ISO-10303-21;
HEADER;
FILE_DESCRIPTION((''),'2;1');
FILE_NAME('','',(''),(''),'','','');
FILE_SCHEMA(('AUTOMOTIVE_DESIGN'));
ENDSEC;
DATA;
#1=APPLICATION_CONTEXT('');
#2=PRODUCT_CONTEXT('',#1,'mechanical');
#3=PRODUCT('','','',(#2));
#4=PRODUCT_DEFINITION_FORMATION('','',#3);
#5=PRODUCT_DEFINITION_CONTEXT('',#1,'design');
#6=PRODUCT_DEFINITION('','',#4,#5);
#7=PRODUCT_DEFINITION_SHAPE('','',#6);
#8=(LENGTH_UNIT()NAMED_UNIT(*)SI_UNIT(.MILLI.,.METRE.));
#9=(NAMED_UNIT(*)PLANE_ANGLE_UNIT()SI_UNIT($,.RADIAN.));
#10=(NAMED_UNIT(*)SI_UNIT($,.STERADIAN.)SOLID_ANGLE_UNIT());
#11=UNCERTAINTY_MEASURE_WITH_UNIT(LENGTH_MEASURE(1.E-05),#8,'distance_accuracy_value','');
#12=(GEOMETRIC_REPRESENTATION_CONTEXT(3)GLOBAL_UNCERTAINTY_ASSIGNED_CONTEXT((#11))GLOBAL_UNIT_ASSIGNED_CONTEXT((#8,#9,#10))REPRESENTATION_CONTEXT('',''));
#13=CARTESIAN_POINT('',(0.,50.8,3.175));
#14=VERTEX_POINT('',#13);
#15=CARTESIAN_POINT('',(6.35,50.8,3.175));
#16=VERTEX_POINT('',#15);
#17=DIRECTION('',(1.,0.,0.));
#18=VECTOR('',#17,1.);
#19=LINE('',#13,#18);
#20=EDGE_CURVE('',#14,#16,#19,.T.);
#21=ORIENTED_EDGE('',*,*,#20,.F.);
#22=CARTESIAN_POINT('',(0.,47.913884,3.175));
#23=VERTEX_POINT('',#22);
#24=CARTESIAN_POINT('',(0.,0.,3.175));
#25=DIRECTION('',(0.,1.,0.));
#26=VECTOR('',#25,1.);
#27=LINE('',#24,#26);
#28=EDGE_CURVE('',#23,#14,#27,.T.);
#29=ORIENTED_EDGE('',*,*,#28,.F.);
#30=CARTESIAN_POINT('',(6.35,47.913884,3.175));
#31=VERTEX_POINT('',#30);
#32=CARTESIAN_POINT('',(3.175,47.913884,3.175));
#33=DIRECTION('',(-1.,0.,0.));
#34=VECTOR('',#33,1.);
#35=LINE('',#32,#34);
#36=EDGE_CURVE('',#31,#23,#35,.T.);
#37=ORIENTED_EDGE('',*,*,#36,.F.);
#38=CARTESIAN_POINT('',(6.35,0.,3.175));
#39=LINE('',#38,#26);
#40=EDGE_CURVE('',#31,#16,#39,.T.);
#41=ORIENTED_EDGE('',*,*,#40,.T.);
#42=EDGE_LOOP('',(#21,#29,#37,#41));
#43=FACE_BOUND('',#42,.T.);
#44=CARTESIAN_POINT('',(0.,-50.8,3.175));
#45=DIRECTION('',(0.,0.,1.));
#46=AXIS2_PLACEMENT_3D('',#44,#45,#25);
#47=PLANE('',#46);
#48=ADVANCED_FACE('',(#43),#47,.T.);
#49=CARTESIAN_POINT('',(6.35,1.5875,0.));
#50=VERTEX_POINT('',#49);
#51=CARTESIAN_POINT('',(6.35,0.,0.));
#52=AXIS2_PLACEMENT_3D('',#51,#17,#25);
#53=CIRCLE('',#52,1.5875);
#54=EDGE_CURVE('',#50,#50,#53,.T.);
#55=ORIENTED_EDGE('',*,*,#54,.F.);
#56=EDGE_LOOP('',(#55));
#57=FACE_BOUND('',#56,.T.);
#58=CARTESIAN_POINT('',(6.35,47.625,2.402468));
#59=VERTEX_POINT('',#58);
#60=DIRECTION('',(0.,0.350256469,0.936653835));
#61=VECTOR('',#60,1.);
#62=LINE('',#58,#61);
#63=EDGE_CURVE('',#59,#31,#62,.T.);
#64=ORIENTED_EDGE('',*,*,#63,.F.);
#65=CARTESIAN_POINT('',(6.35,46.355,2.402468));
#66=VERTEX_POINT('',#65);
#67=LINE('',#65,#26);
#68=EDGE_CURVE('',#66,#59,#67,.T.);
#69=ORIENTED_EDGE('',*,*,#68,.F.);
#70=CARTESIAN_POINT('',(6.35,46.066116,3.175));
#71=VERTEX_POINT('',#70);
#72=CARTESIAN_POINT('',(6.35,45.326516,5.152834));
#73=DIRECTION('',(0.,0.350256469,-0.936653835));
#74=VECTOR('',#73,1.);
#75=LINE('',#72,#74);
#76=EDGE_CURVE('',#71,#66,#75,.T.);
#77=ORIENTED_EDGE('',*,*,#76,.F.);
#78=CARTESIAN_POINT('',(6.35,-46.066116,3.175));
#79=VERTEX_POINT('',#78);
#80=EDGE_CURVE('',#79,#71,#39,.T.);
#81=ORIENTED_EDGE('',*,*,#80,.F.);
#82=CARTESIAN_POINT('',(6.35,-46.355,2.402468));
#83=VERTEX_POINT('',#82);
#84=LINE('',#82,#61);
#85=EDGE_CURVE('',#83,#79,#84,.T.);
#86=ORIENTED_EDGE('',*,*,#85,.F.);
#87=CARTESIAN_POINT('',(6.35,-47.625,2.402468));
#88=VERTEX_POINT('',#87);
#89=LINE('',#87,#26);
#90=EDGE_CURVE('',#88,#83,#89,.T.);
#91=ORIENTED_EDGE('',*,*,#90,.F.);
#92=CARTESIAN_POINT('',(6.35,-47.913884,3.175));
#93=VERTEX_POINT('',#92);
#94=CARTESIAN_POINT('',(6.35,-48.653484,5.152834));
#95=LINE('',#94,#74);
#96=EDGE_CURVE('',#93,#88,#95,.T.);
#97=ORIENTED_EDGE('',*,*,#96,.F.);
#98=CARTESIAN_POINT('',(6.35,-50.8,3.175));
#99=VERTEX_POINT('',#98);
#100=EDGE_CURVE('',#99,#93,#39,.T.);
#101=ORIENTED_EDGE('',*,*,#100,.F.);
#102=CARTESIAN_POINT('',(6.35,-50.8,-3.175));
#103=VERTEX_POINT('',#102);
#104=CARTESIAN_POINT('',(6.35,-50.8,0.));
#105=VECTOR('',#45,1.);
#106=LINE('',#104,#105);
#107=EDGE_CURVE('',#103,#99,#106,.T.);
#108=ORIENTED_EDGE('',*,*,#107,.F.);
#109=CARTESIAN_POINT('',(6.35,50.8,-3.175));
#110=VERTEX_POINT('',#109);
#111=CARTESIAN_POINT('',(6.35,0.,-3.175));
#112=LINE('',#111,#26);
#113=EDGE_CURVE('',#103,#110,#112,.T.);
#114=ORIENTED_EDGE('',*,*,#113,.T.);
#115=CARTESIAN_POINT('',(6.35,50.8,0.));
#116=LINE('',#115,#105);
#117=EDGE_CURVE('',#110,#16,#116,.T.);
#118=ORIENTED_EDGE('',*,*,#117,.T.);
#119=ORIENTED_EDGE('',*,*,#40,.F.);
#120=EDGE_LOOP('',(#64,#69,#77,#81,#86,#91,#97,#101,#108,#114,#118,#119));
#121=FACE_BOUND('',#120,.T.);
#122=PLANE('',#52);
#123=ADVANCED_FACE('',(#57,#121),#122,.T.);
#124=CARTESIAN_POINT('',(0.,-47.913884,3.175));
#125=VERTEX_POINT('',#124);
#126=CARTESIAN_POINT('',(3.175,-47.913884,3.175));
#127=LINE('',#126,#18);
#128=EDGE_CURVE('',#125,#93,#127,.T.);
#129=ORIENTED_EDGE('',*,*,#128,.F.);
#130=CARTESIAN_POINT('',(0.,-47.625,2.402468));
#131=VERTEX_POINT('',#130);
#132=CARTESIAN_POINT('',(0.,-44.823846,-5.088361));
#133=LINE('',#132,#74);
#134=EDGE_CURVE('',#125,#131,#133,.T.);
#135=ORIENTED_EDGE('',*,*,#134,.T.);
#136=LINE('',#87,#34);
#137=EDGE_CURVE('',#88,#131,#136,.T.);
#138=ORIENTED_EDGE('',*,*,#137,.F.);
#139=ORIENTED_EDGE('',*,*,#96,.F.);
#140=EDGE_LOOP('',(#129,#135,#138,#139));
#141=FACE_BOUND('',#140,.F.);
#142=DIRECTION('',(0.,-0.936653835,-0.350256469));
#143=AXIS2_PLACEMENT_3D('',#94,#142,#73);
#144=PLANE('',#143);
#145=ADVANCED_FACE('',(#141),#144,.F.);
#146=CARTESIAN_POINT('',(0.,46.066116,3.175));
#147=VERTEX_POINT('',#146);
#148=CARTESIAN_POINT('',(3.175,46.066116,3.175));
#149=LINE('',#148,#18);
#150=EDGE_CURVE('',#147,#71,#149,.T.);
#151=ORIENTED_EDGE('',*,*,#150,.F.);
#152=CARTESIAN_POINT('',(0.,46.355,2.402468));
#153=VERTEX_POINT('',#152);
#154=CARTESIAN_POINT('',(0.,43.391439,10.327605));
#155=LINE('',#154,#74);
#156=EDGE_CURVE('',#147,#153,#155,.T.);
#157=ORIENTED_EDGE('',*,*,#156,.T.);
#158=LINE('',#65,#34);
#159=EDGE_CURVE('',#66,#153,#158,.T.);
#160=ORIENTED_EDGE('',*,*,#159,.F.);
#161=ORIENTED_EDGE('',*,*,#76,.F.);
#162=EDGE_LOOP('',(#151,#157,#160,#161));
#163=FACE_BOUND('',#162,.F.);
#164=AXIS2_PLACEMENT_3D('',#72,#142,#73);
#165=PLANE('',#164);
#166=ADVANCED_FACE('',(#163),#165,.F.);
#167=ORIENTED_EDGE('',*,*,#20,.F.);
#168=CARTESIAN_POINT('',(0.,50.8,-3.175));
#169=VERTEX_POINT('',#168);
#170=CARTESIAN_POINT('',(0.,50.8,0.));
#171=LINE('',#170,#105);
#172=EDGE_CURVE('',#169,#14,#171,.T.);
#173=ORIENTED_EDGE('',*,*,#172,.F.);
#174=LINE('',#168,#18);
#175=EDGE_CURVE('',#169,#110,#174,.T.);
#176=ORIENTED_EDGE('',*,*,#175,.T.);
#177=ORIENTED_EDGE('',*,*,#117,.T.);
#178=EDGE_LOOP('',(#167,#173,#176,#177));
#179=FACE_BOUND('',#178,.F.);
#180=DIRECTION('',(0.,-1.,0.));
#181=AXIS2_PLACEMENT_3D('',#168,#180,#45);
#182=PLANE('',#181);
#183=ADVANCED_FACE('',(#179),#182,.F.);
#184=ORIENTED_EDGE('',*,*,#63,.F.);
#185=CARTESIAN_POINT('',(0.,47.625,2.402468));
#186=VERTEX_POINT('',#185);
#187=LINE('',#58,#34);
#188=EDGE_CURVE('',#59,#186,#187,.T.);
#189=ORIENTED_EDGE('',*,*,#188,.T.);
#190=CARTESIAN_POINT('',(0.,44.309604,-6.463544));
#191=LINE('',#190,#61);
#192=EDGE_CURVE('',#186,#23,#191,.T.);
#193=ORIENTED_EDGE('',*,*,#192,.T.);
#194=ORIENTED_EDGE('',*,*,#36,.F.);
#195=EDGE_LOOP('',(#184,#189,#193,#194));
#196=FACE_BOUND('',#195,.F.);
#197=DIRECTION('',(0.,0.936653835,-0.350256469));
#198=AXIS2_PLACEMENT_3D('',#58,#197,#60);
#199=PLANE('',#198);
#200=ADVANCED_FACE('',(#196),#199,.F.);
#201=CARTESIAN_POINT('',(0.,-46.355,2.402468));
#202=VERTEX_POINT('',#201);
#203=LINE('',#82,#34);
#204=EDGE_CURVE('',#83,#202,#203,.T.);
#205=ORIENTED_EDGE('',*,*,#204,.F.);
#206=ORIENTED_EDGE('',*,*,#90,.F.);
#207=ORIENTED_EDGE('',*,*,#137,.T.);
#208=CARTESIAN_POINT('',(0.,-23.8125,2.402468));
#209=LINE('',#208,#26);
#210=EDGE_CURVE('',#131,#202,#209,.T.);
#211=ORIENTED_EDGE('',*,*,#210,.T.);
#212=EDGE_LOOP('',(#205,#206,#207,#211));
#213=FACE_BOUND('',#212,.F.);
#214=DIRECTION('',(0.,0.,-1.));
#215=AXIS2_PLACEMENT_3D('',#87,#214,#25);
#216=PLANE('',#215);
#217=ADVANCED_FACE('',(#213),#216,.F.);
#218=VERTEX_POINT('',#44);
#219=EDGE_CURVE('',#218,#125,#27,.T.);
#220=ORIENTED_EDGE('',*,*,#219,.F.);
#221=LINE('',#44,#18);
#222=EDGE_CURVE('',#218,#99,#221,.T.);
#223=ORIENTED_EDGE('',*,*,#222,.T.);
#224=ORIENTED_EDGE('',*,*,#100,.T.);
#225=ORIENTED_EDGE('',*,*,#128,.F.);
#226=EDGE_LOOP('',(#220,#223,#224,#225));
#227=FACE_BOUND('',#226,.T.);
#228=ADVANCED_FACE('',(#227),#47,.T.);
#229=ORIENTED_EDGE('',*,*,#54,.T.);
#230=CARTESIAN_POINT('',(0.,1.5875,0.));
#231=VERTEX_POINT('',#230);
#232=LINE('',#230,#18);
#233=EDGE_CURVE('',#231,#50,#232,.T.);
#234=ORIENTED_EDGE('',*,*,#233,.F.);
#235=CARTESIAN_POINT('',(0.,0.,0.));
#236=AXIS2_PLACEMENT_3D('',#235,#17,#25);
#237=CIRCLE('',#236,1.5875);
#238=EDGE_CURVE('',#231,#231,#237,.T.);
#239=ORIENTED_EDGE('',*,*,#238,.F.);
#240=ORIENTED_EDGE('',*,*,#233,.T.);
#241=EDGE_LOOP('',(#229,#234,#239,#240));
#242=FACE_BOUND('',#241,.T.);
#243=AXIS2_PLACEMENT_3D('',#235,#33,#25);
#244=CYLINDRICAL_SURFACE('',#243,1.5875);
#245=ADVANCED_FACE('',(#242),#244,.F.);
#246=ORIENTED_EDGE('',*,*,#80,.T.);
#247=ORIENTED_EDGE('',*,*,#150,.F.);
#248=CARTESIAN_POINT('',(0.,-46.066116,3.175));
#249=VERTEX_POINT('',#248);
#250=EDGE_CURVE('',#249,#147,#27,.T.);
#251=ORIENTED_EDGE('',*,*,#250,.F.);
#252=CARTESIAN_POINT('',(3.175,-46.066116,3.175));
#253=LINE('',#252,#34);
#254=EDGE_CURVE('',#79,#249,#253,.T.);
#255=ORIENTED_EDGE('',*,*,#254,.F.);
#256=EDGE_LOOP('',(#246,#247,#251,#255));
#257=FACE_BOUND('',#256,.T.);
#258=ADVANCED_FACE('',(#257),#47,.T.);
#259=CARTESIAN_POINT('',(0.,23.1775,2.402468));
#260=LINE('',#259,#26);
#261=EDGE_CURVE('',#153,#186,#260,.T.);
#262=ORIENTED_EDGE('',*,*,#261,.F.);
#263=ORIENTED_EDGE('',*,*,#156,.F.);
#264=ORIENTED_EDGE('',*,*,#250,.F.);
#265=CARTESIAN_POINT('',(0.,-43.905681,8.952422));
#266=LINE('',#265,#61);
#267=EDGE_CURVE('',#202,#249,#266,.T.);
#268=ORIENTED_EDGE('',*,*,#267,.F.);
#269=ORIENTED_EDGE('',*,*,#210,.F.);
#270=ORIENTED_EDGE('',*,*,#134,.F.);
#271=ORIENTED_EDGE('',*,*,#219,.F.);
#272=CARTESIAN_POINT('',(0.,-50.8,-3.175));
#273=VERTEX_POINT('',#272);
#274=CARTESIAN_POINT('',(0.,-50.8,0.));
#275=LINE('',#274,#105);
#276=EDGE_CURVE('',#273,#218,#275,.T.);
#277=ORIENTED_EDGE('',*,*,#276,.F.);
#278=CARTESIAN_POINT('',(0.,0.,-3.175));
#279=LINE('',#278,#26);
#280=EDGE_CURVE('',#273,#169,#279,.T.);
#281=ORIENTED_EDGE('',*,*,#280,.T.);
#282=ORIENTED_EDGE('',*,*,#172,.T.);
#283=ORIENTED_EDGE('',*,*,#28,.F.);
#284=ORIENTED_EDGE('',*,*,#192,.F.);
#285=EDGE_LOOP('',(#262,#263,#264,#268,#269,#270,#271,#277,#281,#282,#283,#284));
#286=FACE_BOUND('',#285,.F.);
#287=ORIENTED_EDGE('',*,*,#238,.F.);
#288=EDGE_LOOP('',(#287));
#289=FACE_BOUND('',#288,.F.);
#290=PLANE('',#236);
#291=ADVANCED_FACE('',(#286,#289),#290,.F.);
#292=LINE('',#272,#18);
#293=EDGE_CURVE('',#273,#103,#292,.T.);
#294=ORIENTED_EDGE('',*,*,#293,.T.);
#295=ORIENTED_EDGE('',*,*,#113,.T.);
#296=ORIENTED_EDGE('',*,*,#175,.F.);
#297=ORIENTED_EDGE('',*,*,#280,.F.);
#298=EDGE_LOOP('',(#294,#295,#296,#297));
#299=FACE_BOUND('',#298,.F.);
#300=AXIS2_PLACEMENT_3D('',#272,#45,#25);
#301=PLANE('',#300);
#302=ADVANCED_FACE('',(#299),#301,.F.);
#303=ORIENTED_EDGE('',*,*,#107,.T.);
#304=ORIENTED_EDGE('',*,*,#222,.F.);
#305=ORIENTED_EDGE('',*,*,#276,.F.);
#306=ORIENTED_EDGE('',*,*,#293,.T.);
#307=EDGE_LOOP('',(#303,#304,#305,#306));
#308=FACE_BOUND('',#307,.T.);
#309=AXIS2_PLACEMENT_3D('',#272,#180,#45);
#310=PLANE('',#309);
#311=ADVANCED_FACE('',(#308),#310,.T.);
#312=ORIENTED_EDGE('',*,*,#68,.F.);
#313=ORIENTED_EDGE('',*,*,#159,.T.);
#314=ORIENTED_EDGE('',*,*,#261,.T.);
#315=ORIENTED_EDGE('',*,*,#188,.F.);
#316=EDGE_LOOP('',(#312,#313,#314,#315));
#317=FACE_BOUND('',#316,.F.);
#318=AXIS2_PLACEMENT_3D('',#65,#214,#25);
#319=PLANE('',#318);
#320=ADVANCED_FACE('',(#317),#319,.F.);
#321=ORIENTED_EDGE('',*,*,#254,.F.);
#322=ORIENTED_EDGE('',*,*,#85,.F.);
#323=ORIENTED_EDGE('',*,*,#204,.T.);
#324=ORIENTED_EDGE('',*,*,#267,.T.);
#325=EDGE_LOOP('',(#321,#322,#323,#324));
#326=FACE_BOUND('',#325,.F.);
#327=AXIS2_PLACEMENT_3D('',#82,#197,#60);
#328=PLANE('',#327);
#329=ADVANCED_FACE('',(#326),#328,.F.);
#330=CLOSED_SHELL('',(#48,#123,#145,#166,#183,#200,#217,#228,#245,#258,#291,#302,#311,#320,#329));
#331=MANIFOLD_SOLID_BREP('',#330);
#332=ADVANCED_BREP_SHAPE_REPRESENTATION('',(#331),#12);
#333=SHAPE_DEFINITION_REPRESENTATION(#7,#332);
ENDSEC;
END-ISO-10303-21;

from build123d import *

# Parameters (mm, degrees)
F0_W     = 101.6
F0_H     = 6.35
F0_R     = 1.5875
F1_DEPTH = 6.35
F3_DEPTH = 7.62


with BuildPart() as f1:
    # F0 (on Right) → F1 (new body)
    with BuildSketch(Plane.YZ):
        Rectangle(F0_W, F0_H)
        Circle(F0_R, mode=Mode.SUBTRACT)
    extrude(amount=F1_DEPTH)

    # F2 (on face) → F3 (cut)
    with BuildSketch(Plane.YZ.offset(6.35)):
        Polygon((-48.653484, 5.152834), (-47.625, 2.402468), (-46.355, 2.402468), (-45.326516, 5.152834), align=None)
        Polygon((45.326516, 5.152834), (46.355, 2.402468), (47.625, 2.402468), (48.653484, 5.152834), align=None)
    extrude(amount=-F3_DEPTH, mode=Mode.SUBTRACT)


solid = f1.part
